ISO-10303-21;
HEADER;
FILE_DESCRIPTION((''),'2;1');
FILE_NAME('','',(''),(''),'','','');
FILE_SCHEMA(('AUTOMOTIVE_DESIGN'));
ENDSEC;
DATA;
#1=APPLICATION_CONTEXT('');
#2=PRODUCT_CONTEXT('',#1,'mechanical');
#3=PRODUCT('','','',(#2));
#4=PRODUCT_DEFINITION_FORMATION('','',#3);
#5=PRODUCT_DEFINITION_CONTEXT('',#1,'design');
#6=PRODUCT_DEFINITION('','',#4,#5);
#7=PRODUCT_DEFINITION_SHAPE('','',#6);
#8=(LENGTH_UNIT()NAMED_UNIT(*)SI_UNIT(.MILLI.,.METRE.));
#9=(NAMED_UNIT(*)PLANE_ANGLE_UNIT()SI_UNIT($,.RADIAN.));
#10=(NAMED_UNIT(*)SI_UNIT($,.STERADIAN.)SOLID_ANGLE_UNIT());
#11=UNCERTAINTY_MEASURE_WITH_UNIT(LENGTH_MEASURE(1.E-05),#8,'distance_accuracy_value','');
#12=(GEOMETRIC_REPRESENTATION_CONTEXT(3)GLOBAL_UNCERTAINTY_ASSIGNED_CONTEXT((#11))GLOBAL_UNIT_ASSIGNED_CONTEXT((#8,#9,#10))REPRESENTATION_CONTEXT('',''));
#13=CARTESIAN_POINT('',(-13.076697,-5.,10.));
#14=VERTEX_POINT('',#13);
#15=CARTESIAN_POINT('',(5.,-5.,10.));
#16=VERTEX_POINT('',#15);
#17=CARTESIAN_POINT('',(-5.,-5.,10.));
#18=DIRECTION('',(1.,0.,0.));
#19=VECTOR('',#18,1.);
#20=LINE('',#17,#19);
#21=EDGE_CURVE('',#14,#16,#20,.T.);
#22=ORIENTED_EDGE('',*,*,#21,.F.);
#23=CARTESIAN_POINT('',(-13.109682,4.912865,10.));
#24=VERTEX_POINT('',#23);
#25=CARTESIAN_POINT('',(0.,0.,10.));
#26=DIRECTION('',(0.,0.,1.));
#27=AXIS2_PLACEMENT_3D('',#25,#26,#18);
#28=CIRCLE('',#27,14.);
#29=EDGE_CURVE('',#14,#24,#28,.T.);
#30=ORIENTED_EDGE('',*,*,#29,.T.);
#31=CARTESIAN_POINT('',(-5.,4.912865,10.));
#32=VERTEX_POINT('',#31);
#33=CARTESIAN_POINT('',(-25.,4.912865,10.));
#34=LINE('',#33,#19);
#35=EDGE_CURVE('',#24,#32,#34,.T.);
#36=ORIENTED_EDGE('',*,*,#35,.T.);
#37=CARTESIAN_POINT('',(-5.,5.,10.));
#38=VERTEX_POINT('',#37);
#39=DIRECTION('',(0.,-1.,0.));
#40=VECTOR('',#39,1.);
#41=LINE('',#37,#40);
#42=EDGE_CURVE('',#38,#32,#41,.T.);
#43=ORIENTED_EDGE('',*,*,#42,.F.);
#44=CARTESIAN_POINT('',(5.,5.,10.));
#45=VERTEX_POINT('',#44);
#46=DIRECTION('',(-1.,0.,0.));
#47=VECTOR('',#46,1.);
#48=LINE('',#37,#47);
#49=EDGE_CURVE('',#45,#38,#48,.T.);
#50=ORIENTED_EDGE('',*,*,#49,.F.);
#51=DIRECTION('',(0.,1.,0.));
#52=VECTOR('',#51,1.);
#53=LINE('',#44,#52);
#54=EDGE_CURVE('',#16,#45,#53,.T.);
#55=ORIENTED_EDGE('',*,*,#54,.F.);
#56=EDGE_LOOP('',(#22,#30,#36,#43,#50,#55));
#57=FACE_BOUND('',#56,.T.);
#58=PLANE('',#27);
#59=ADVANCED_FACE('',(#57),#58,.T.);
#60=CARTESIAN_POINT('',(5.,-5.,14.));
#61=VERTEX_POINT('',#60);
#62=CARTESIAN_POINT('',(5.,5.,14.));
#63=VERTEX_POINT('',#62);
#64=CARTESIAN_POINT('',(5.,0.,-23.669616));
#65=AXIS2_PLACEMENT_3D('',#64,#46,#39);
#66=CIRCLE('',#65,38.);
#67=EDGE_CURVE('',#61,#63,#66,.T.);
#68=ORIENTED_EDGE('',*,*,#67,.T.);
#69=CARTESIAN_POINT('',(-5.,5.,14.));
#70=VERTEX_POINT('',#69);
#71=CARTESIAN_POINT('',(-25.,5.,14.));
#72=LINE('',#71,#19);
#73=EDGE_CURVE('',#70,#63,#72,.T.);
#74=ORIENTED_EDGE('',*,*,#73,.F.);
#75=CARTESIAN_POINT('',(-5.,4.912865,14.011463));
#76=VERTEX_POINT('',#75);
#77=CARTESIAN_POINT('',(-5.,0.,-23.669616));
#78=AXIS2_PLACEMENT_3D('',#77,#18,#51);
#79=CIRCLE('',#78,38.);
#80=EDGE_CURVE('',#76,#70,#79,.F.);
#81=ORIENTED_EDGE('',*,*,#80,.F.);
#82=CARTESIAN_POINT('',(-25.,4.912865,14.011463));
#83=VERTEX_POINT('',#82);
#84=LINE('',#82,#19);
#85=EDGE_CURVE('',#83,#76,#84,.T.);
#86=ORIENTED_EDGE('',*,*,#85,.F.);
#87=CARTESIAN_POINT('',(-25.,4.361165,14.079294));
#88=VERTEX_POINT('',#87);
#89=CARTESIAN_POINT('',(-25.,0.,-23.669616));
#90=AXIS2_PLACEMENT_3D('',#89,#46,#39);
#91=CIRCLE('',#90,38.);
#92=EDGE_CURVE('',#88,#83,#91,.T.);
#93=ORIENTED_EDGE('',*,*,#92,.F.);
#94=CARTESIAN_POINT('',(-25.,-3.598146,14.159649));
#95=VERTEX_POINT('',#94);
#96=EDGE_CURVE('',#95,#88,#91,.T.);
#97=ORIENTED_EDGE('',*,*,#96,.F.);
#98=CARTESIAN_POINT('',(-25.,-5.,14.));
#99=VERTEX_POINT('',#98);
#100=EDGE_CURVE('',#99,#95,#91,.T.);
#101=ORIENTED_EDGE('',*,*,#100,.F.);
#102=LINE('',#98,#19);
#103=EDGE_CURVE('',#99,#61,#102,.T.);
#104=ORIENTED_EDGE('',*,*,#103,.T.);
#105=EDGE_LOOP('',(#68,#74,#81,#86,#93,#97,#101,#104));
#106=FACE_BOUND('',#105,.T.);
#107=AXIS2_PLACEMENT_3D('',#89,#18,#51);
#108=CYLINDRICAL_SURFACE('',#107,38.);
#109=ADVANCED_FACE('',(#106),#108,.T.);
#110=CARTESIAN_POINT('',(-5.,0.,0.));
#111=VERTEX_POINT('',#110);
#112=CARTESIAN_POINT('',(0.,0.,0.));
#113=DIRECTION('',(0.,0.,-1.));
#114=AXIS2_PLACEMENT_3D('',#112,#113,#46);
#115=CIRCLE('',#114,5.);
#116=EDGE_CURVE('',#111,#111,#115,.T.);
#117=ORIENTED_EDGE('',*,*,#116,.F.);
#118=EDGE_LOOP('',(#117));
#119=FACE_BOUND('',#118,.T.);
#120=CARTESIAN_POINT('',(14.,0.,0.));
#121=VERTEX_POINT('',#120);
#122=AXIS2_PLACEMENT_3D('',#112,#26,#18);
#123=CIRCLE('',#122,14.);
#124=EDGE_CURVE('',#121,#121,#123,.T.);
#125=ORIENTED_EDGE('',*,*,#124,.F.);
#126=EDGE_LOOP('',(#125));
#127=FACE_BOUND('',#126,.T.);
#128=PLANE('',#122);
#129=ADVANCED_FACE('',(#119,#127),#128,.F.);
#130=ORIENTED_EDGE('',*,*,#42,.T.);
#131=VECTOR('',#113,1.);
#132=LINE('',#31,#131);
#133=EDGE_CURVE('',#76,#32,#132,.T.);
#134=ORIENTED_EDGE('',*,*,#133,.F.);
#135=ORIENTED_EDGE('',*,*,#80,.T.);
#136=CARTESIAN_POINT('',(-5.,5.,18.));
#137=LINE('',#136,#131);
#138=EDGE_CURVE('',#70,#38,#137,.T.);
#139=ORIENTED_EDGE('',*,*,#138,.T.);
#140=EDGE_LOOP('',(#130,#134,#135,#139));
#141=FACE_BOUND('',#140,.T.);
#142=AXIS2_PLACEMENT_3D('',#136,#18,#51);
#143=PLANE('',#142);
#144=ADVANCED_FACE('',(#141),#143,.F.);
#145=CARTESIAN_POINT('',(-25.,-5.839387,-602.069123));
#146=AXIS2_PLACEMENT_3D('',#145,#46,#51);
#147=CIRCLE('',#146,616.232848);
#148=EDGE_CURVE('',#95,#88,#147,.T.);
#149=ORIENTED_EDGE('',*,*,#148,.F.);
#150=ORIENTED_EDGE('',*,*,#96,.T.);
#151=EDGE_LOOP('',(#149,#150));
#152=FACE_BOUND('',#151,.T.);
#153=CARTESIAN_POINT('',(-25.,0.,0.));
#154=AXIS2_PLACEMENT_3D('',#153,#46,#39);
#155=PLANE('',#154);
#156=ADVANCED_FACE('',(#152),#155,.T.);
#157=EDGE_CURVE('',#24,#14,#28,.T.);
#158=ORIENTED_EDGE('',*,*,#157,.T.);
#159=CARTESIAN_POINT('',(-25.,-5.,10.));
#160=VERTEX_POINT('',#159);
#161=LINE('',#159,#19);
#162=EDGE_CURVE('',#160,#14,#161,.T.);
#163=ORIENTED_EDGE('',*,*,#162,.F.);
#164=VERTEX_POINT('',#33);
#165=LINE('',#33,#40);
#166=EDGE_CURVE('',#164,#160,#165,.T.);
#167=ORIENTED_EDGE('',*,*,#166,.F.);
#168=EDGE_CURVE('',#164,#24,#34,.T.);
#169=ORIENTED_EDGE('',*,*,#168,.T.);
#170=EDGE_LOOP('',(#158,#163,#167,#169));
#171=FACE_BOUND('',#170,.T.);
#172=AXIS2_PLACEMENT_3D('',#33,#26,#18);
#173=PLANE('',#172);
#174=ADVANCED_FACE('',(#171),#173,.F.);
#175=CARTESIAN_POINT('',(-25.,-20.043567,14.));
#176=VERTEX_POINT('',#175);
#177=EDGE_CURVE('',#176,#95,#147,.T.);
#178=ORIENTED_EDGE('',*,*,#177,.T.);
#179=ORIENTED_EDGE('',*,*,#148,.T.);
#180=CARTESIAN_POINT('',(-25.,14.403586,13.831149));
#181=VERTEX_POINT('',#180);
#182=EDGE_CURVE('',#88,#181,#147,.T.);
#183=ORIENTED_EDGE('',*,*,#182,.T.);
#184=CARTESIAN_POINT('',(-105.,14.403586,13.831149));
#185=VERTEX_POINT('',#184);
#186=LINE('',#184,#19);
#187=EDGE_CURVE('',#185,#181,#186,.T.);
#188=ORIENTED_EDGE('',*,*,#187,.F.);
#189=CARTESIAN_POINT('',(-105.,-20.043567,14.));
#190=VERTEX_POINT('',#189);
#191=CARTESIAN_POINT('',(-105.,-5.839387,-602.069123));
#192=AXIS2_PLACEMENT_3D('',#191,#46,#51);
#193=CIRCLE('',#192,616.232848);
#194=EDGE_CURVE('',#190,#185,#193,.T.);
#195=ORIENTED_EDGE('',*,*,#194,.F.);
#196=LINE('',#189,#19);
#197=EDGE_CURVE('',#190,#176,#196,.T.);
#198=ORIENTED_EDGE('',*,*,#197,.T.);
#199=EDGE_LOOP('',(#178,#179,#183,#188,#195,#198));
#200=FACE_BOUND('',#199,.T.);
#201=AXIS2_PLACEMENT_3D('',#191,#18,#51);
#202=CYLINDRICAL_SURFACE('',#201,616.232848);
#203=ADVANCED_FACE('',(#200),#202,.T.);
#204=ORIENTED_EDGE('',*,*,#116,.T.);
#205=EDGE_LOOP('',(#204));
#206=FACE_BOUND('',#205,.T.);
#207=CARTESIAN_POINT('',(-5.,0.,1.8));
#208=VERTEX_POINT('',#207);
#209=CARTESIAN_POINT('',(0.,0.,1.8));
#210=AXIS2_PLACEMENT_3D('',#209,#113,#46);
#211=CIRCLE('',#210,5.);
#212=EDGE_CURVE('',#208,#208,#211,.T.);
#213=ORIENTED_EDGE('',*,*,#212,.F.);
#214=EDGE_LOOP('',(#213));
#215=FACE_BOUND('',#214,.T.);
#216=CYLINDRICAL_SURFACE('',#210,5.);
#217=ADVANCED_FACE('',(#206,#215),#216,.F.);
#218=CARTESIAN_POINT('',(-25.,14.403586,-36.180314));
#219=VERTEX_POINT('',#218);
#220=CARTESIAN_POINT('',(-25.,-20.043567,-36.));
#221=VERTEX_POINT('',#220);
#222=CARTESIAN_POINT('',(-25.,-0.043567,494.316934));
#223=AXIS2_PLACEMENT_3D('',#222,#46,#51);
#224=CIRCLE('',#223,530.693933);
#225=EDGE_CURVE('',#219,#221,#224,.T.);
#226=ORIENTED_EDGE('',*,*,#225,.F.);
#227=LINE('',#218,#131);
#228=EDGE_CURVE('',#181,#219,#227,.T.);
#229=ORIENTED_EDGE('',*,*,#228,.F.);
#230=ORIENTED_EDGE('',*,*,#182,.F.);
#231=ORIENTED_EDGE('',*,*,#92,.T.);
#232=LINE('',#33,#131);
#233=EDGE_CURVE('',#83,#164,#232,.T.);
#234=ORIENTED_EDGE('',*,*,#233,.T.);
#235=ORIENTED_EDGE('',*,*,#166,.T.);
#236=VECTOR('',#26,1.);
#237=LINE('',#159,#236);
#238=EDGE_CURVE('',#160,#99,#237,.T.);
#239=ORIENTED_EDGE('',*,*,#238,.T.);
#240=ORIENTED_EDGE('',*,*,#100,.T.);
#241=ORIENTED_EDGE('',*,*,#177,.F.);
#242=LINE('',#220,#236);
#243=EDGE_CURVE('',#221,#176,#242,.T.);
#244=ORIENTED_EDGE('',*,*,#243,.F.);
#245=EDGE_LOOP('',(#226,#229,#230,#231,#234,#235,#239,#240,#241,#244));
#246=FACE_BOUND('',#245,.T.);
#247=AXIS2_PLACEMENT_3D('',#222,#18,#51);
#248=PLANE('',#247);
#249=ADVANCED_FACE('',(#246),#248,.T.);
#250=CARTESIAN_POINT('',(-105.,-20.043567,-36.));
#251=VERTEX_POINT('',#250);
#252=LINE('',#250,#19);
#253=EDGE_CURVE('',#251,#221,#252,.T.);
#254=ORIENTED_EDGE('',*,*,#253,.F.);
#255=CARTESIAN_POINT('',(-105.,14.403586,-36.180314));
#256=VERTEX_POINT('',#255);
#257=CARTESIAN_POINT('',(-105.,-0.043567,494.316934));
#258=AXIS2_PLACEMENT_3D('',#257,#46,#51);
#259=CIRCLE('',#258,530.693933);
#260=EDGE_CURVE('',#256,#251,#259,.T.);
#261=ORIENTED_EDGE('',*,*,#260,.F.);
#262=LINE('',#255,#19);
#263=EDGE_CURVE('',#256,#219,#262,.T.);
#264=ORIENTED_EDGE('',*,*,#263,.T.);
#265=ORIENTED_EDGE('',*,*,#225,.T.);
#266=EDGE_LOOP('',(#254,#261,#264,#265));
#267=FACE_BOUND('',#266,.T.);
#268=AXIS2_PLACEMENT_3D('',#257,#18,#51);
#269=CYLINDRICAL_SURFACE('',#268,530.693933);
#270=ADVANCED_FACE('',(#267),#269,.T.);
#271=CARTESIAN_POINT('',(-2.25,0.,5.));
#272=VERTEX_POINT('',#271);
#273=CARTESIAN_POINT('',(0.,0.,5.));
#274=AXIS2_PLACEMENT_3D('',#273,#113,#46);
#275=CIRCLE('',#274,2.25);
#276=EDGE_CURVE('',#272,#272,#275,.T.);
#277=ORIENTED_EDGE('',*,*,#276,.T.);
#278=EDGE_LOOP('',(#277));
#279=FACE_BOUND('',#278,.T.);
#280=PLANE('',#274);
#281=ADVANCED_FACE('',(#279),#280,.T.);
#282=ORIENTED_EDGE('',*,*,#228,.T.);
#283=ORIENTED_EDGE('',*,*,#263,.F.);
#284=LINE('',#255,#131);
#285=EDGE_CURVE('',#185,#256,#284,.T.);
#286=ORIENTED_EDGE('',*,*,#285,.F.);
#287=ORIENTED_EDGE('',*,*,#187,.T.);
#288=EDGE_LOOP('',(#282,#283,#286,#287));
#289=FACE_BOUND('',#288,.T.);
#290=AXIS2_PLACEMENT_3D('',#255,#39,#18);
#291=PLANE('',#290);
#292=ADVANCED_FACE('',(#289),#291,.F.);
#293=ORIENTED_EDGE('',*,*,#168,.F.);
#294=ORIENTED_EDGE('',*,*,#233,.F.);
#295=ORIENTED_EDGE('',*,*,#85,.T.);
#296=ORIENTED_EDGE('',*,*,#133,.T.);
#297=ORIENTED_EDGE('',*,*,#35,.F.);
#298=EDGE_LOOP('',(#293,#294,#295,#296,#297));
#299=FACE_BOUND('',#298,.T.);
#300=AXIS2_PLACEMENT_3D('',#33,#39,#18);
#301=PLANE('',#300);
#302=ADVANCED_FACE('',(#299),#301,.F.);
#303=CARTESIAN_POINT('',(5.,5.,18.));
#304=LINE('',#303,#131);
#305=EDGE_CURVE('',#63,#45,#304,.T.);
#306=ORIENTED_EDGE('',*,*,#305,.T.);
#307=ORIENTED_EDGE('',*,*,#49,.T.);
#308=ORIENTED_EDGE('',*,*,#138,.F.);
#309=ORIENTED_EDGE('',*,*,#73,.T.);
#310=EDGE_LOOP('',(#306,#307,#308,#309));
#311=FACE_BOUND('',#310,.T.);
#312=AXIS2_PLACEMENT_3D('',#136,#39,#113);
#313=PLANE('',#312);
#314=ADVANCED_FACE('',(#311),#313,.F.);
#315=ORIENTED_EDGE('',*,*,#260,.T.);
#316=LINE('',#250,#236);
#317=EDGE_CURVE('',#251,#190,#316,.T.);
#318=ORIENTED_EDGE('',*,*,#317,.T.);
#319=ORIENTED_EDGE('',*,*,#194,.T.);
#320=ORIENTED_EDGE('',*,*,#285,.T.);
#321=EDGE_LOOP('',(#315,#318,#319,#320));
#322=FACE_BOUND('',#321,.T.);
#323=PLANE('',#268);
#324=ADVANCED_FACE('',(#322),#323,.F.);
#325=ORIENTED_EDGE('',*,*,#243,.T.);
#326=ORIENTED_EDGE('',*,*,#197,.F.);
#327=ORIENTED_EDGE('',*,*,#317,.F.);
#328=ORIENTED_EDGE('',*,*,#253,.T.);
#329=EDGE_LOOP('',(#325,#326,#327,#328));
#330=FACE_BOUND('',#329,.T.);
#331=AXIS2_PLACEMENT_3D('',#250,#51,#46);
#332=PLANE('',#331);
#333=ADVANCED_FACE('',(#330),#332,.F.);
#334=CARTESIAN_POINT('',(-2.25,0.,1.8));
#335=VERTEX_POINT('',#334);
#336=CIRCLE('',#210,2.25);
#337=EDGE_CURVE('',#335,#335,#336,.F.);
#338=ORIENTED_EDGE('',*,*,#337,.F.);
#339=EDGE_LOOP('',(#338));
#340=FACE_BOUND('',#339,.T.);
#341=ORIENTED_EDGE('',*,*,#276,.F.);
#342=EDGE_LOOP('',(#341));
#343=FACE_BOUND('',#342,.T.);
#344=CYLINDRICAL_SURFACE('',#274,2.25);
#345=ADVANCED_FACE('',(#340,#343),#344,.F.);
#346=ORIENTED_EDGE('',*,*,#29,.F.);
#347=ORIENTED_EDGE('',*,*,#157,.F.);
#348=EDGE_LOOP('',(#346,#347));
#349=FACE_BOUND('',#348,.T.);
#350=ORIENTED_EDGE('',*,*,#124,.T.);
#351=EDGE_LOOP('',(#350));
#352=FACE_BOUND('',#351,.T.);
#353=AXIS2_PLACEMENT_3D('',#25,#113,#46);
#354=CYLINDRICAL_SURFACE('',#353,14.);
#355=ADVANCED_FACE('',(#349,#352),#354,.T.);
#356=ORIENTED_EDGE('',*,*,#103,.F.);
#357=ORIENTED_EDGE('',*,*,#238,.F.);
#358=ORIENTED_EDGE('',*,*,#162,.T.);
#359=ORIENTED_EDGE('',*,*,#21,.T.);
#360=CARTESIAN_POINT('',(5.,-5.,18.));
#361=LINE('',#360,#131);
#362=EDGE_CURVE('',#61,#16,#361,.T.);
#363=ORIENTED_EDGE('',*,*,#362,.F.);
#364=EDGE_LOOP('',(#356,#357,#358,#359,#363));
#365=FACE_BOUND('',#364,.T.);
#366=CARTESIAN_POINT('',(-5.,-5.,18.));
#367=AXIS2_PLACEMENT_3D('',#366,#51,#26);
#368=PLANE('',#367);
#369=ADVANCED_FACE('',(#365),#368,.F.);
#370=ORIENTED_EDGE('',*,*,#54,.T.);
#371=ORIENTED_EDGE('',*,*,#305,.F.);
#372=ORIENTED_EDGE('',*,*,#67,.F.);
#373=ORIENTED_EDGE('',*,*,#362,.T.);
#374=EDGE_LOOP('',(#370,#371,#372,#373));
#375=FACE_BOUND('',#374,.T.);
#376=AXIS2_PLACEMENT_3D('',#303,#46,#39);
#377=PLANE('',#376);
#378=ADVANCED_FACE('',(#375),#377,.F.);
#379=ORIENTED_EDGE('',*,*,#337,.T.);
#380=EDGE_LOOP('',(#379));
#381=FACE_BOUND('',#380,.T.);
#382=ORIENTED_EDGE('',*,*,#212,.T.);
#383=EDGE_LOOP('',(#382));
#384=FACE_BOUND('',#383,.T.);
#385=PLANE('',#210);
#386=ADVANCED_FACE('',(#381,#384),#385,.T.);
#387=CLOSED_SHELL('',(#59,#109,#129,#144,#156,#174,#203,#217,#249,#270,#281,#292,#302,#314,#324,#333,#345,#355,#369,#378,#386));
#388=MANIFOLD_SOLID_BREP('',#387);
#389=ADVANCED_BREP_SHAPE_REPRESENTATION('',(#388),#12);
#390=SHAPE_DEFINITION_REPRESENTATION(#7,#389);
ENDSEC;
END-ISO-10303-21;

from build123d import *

# Parameters (mm, degrees)
SKETCH1_R           = 14
BOSS_EXTRUDE1_DEPTH = 10
SKETCH2_R           = 2.25
CUT_EXTRUDE1_DEPTH  = 5
SKETCH3_R           = 5
CUT_EXTRUDE2_DEPTH  = 1.8
SKETCH4_W           = 10
SKETCH4_H           = 10
BOSS_EXTRUDE2_DEPTH = 8
SKETCH6_W           = 8
SKETCH6_H           = 9.912865289
BOSS_EXTRUDE3_DEPTH = 20
CUT_EXTRUDE3_DEPTH  = 30
BOSS_EXTRUDE4_DEPTH = 80


with BuildPart() as part:
    # Sketch1 → Boss-Extrude1 (new body)
    with BuildSketch(Plane.XY):
        Circle(SKETCH1_R)
    extrude(amount=BOSS_EXTRUDE1_DEPTH)

    # Sketch2 → Cut-Extrude1 (cut)
    with BuildSketch(Plane(origin=(0, 0, 0), x_dir=(-1, 0, 0), z_dir=(0, 0, -1))):
        Circle(SKETCH2_R)
    extrude(amount=-CUT_EXTRUDE1_DEPTH, mode=Mode.SUBTRACT)

    # Sketch3 → Cut-Extrude2 (cut)
    with BuildSketch(Plane(origin=(0, 0, 0), x_dir=(-1, 0, 0), z_dir=(0, 0, -1))):
        Circle(SKETCH3_R)
    extrude(amount=-CUT_EXTRUDE2_DEPTH, mode=Mode.SUBTRACT)

    # Sketch4 → Boss-Extrude2 (add)
    with BuildSketch(Plane.XY.offset(10)):
        Rectangle(SKETCH4_W, SKETCH4_H)
    extrude(amount=BOSS_EXTRUDE2_DEPTH)

    # Sketch6 → Boss-Extrude3 (add)
    with BuildSketch(Plane.ZY.offset(5)):
        with Locations((14, -0.043567356)):
            Rectangle(SKETCH6_W, SKETCH6_H)
    extrude(amount=BOSS_EXTRUDE3_DEPTH)

    # Sketch7 → Cut-Extrude3 (cut)
    with BuildSketch(Plane(origin=(5, 0, 0), x_dir=(0, 0, -1), z_dir=(1, 0, 0))):
        with BuildLine():
            Line((-18, 5), (-18, -5))
            Line((-18, -5), (-14, -5))
            ThreePointArc((-14, -5), (-14.330383596, 0), (-14, 5))
            Line((-14, 5), (-18, 5))
        make_face()
    extrude(amount=-CUT_EXTRUDE3_DEPTH, mode=Mode.SUBTRACT)

    # Sketch8 → Boss-Extrude4 (add)
    with BuildSketch(Plane.ZY.offset(25)):
        with BuildLine():
            Line((-36.180314108, 14.403585903), (13.83114902, 14.403585903))
            ThreePointArc((13.83114902, 14.403585903), (14.156322075, -2.818810644), (14, -20.043567356))
            Line((14, -20.043567356), (-36, -20.043567356))
            ThreePointArc((-36, -20.043567356), (-36.369728572, -2.821454147), (-36.180314108, 14.403585903))
        make_face()
    extrude(amount=BOSS_EXTRUDE4_DEPTH)


solid = part.part
